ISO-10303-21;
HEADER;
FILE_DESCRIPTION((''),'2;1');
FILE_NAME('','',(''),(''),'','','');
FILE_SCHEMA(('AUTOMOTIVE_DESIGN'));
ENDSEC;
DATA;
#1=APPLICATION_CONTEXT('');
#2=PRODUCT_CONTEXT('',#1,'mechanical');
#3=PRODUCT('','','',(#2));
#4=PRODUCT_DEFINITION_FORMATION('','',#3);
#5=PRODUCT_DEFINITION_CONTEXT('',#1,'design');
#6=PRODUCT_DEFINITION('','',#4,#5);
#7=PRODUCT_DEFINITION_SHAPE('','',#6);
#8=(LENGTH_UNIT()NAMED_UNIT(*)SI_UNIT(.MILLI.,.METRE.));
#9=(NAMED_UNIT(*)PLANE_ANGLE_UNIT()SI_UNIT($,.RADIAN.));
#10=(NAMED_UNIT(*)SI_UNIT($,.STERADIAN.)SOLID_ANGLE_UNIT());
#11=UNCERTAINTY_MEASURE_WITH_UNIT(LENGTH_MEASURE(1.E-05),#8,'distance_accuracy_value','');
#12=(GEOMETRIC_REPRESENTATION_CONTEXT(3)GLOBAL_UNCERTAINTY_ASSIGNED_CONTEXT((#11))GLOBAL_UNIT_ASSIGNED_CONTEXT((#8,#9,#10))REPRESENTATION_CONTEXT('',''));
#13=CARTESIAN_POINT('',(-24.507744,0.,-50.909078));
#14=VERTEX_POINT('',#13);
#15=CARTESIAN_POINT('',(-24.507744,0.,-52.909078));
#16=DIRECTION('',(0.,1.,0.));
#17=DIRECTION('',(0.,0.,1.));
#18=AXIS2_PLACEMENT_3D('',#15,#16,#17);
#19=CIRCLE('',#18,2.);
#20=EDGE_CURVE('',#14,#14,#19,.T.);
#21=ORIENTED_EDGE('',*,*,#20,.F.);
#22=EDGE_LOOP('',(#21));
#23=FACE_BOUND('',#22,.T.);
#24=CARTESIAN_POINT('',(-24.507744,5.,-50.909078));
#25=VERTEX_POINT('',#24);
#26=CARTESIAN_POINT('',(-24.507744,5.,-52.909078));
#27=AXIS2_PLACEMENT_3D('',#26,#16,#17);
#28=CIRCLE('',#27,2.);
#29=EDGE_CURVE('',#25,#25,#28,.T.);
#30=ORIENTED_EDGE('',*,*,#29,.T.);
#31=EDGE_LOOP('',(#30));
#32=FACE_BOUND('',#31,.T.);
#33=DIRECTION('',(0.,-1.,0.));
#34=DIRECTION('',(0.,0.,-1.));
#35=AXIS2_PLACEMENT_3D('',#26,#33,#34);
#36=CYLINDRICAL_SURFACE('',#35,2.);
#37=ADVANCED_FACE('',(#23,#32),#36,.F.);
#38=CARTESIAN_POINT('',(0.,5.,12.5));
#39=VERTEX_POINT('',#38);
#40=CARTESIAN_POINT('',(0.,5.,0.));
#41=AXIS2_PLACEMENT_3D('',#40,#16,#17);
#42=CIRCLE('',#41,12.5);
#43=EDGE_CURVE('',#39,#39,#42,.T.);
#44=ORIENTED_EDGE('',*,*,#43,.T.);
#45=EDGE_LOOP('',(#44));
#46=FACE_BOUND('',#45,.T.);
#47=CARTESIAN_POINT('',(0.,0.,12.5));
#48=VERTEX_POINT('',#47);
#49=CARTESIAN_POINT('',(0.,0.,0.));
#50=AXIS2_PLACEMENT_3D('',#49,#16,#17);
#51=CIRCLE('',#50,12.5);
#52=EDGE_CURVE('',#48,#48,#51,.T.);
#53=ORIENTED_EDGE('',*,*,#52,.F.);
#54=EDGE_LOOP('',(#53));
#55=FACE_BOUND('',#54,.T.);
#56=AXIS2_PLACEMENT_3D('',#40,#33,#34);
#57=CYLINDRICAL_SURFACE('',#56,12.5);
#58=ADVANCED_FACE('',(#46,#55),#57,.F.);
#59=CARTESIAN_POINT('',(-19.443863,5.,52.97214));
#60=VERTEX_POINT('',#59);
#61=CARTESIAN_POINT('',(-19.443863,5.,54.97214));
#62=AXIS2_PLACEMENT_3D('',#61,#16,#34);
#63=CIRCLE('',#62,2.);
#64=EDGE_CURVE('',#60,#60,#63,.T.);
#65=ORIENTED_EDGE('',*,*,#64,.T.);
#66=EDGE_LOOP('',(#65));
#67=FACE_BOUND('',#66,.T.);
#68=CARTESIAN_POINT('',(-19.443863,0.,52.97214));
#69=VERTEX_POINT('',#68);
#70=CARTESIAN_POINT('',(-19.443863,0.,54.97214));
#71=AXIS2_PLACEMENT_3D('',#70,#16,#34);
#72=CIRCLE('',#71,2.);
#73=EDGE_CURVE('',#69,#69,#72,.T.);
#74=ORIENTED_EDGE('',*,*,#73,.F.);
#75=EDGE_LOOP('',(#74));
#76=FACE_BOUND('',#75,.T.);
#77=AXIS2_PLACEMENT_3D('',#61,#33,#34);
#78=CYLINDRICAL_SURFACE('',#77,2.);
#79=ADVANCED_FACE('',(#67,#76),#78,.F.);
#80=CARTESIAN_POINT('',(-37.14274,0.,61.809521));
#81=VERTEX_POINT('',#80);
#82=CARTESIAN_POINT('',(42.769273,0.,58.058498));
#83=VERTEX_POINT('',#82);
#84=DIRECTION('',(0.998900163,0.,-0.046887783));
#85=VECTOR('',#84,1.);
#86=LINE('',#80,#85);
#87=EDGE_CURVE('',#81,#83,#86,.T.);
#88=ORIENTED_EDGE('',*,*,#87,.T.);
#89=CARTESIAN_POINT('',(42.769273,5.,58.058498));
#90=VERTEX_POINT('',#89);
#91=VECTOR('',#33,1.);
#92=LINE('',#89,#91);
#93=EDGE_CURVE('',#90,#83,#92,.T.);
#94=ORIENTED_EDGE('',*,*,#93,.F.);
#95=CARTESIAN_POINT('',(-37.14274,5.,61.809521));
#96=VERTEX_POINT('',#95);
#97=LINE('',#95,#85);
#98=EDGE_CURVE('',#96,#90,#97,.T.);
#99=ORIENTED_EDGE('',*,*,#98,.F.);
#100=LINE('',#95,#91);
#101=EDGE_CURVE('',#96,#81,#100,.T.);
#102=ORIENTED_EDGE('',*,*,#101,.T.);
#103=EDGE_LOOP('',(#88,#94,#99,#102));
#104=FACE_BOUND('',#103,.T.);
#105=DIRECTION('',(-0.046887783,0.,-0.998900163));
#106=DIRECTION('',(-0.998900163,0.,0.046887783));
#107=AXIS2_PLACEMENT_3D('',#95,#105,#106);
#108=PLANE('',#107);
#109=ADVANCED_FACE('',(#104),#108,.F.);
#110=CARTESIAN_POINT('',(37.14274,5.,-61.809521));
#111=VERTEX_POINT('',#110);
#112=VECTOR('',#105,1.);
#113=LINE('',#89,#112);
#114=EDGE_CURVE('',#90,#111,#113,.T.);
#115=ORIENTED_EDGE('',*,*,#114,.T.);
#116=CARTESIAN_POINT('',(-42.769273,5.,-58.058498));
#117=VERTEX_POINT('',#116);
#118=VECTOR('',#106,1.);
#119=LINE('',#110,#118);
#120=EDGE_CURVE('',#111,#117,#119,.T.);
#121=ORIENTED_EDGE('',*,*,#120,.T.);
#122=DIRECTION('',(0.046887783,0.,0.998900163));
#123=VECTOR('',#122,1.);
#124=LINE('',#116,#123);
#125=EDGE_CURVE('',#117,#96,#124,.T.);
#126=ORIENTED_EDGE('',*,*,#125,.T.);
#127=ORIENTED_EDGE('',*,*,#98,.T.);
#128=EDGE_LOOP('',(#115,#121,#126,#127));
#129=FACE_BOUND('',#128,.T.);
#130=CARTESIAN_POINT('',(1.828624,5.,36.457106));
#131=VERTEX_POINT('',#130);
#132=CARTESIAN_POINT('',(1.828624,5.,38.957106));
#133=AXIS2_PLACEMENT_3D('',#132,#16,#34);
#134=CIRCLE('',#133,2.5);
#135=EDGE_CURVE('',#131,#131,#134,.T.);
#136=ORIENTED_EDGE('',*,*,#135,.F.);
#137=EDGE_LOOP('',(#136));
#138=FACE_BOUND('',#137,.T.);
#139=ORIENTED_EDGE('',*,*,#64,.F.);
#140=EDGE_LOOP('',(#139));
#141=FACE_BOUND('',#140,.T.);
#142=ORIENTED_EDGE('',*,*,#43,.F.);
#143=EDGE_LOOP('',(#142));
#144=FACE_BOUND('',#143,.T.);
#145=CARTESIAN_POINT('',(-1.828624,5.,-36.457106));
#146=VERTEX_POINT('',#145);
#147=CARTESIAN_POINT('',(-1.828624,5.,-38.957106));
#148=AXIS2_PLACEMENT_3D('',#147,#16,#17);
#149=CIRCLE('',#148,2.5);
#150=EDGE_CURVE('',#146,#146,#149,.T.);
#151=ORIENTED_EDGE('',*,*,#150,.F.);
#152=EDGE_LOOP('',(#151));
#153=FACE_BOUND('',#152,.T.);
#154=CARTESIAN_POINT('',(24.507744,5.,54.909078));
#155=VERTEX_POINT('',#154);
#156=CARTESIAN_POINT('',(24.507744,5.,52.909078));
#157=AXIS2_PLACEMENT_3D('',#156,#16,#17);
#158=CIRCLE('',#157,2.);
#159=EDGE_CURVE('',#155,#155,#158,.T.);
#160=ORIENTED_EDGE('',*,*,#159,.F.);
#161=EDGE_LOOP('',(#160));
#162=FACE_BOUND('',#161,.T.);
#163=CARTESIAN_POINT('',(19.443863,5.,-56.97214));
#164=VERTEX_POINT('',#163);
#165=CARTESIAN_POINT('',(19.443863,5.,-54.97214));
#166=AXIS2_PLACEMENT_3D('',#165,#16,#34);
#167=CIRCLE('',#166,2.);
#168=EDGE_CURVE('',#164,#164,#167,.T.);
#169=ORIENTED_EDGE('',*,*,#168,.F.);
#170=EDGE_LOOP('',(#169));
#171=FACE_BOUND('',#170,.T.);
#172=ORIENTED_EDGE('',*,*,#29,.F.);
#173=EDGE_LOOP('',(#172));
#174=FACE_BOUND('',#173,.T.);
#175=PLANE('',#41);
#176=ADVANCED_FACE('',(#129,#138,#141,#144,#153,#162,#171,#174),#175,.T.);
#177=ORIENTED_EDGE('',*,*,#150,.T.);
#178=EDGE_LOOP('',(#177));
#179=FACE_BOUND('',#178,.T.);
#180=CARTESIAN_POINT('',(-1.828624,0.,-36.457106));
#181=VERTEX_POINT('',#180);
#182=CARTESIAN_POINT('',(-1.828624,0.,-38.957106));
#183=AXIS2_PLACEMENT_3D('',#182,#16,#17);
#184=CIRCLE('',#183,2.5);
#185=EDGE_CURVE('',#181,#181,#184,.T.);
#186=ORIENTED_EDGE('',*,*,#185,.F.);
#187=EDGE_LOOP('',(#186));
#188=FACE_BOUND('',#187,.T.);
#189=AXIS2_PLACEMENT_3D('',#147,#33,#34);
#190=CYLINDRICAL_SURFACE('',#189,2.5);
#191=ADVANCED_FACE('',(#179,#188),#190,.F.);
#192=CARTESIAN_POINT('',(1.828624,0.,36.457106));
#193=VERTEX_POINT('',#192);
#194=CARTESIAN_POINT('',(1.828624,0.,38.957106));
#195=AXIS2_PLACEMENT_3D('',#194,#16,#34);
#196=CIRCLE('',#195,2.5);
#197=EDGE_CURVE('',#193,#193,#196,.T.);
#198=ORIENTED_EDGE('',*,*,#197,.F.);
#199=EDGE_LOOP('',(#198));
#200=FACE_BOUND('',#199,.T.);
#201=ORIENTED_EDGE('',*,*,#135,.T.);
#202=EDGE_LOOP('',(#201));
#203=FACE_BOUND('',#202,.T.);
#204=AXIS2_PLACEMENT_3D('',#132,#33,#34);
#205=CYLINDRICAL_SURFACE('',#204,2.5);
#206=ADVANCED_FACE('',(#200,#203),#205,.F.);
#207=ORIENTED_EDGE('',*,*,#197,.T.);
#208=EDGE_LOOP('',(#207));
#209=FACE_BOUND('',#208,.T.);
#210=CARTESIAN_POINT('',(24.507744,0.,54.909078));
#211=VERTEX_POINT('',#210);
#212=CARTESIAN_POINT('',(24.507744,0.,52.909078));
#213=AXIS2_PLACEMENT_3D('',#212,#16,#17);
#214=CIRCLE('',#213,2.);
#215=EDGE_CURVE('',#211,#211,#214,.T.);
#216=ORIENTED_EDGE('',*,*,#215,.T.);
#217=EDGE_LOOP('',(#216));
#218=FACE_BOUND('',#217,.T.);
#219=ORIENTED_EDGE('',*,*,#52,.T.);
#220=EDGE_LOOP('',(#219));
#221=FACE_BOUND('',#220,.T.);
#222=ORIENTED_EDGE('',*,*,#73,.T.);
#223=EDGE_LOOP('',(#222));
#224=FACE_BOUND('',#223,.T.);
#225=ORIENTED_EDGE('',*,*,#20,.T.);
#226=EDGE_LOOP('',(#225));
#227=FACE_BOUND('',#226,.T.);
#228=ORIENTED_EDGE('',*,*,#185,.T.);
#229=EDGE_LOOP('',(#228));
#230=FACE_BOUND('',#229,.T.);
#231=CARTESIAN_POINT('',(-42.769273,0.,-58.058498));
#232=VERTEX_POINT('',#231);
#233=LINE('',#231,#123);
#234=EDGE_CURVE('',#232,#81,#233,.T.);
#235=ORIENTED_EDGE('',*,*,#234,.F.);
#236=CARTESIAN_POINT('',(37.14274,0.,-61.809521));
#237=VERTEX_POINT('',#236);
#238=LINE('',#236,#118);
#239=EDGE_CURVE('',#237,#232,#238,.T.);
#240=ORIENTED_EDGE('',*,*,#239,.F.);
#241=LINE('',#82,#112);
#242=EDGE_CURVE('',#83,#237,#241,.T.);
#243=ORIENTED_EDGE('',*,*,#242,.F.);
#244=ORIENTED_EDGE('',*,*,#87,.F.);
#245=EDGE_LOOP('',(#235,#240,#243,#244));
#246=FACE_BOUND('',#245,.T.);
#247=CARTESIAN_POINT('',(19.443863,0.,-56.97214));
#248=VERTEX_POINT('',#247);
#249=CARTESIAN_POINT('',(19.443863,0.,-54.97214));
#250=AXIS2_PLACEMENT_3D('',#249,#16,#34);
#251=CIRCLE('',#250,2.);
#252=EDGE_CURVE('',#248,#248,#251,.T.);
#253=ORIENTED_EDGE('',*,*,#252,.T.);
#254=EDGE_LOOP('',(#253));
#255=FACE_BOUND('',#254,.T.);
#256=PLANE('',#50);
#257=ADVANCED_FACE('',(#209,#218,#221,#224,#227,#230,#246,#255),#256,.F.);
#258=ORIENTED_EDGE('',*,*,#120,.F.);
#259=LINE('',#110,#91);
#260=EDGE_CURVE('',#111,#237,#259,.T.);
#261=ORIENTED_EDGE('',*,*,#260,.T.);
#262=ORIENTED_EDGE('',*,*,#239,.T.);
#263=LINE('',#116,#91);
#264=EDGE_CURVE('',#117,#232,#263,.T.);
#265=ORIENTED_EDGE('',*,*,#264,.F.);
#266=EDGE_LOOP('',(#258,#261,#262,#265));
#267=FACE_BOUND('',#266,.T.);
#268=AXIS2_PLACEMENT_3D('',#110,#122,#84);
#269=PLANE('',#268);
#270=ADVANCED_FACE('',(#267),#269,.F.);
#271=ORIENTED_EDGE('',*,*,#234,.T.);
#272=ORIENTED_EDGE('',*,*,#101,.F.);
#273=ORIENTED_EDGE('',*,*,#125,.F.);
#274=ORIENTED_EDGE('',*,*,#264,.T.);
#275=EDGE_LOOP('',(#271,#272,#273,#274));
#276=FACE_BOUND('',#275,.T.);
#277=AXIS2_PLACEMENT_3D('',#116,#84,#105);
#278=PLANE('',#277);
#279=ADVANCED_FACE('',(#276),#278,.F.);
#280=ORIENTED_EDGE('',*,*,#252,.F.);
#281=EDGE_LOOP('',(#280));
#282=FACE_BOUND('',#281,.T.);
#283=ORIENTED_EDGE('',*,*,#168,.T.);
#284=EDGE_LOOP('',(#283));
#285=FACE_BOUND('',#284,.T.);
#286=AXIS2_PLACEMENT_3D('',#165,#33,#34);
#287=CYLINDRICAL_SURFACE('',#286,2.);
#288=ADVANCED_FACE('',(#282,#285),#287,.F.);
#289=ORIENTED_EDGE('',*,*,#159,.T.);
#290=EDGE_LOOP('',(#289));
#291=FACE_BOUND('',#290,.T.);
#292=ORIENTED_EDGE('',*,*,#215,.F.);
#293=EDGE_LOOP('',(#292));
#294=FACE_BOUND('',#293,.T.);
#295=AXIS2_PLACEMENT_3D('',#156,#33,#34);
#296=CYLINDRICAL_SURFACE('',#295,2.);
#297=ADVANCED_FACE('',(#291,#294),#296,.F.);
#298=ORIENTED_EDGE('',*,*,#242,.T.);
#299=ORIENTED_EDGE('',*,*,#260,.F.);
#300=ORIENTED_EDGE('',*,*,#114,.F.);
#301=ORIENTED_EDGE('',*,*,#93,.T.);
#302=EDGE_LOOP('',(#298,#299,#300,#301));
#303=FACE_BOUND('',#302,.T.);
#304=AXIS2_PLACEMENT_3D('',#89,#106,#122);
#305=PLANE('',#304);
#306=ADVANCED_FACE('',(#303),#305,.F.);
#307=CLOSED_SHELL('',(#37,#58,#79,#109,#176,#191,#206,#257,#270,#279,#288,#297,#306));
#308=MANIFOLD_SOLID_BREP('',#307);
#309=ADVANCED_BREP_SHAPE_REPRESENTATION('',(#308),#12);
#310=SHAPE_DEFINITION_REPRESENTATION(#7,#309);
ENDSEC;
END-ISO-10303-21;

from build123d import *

# Parameters (mm, degrees)
SKETCH_1_W      = 80
SKETCH_1_H      = 120
SKETCH_1_R      = 2.5
SKETCH_1_R_2    = 2
SKETCH_1_R_3    = 12.5
EXTRUDE_1_DEPTH = 5


with BuildPart() as part:
    # 草图1 → 凸台-拉伸1 (new body)
    with BuildSketch(Plane(origin=(-72.587068572, 0, 457.027671738), x_dir=(0.998900163, 0, -0.046887783), z_dir=(0, 1, 0))):
        with Locations((93.936248853, 453.121569129)):
            Rectangle(SKETCH_1_W, SKETCH_1_H)
        with Locations((93.936248853, 492.121569129)):
            Circle(SKETCH_1_R, mode=Mode.SUBTRACT)
        with Locations((93.936248853, 414.121569129)):
            Circle(SKETCH_1_R, mode=Mode.SUBTRACT)
        with Locations((115.936248853, 507.121569129)):
            Circle(SKETCH_1_R_2, mode=Mode.SUBTRACT)
        with Locations((115.936248853, 399.121569129)):
            Circle(SKETCH_1_R_2, mode=Mode.SUBTRACT)
        with Locations((71.936248853, 507.121569129)):
            Circle(SKETCH_1_R_2, mode=Mode.SUBTRACT)
        with Locations((71.936248853, 399.121569129)):
            Circle(SKETCH_1_R_2, mode=Mode.SUBTRACT)
        with Locations((93.936248853, 453.121569129)):
            Circle(SKETCH_1_R_3, mode=Mode.SUBTRACT)
    extrude(amount=EXTRUDE_1_DEPTH)


solid = part.part
